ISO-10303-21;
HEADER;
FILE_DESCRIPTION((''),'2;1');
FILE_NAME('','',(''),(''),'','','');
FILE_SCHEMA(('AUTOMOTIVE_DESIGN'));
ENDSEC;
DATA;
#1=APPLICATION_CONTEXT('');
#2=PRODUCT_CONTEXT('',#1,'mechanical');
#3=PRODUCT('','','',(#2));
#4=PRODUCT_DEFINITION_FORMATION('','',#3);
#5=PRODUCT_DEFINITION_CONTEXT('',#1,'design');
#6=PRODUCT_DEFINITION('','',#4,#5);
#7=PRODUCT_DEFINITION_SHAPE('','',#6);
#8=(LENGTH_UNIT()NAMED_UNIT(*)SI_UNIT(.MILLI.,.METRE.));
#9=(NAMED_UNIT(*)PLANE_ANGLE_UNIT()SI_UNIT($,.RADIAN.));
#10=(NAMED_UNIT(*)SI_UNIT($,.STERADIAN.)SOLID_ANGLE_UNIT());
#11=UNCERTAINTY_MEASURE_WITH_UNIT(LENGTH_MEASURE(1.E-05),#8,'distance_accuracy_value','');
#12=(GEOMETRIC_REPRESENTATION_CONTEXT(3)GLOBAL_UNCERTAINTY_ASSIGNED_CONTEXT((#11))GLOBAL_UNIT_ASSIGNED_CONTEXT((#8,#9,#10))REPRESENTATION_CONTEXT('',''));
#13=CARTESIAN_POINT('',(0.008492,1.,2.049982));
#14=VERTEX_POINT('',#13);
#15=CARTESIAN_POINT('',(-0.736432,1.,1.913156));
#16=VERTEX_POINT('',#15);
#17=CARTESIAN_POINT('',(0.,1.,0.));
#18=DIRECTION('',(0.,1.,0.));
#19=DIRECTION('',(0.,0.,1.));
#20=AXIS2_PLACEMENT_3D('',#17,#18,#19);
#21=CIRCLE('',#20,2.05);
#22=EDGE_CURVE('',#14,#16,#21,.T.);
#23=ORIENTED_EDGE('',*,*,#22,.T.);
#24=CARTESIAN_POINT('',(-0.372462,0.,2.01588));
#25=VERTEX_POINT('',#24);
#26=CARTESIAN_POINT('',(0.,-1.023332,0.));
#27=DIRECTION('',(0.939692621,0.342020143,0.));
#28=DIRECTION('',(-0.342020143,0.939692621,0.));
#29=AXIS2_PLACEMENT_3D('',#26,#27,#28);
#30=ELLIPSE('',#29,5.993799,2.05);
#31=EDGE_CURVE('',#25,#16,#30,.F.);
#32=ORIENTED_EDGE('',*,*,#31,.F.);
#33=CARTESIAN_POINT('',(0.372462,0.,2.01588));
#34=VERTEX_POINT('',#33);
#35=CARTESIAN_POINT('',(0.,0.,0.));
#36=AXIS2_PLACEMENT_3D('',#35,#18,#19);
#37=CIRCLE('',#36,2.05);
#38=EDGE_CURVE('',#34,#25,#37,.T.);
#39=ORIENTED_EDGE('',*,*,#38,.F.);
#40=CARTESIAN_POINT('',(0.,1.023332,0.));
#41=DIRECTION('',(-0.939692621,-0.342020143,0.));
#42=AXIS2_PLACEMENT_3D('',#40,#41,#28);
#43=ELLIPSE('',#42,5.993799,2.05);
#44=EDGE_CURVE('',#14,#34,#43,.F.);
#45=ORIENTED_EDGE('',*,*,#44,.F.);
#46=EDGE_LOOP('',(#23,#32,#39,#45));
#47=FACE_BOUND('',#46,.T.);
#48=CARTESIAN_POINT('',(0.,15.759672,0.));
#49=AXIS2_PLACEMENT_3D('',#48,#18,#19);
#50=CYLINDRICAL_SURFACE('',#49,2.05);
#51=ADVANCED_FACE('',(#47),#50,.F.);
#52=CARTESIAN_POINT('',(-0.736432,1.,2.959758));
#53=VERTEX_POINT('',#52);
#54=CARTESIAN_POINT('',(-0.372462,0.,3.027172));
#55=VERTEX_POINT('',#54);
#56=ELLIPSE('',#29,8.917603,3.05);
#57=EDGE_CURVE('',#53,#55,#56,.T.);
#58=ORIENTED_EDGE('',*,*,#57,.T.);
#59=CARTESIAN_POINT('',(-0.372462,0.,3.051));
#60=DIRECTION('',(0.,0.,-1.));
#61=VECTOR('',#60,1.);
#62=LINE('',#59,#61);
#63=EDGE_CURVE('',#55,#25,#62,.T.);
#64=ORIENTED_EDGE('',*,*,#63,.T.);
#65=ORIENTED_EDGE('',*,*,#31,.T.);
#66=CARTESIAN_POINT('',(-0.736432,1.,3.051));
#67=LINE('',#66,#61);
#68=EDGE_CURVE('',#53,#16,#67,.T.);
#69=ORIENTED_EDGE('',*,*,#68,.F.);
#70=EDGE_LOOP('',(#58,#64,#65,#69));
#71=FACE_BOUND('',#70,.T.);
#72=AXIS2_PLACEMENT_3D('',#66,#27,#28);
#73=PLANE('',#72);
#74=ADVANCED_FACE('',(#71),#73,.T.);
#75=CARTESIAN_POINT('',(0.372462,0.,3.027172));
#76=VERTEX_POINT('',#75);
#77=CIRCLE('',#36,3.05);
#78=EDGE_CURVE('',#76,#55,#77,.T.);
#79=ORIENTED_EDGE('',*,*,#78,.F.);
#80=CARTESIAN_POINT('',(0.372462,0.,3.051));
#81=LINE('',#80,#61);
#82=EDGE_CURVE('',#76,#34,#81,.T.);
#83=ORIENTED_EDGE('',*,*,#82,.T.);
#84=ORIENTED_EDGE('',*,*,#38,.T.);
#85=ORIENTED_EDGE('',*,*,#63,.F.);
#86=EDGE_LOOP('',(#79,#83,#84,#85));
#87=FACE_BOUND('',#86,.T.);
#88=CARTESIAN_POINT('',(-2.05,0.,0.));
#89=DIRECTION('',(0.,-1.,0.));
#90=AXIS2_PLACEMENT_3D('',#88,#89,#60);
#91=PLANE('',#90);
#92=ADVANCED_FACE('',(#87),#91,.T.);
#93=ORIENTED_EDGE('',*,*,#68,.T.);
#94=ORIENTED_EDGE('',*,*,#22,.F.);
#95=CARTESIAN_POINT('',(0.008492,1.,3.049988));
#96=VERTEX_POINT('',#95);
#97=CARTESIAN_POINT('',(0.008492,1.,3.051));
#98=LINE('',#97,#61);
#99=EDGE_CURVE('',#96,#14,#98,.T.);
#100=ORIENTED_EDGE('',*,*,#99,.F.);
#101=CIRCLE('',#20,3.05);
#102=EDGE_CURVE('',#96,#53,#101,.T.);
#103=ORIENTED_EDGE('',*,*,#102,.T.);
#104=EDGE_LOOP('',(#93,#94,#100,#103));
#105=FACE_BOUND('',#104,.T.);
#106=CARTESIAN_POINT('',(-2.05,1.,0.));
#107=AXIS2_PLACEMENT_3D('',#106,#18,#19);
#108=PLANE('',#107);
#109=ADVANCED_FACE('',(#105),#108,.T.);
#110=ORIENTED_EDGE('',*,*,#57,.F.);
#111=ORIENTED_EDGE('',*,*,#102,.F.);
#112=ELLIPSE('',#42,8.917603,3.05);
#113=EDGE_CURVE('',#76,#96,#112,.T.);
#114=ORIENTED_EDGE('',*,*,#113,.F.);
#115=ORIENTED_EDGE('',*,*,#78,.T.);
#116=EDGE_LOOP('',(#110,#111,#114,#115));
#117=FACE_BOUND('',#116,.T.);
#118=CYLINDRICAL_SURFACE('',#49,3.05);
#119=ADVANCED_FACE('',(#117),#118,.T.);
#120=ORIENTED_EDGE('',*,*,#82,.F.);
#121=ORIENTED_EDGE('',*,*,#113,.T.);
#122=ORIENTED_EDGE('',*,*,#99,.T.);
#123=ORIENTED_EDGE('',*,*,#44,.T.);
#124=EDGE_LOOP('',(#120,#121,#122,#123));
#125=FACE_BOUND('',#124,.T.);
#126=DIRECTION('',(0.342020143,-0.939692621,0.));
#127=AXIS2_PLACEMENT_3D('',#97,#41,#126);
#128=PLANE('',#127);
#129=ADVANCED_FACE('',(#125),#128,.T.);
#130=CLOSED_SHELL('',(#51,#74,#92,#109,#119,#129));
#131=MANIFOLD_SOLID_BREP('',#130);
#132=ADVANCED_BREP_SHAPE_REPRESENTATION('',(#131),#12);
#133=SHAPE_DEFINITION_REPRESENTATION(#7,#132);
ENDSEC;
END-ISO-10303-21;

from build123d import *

# Parameters (mm, degrees)
SKE_W          = 1
SKE_H          = 1
CUT_REACH      = 6.428
CUT_END_RADIUS = 3.05


with BuildPart() as part:
    # Ske → Base (revolve)
    with BuildSketch(Plane.XY, mode=Mode.PRIVATE) as base_sk:
        with Locations((-2.55, 0.5)):
            Rectangle(SKE_W, SKE_H)
    revolve(base_sk.sketch.rotate(Axis((0, 15.759672306, 0), (0, -1, 0)), 270), axis=Axis((0, 15.759672306, 0), (0, -1, 0)))

    # Cut: up to this cylinder (the profile starts inside it)
    cut_end = Plane(origin=(0, 0.5, 0), z_dir=(0, 1, 0)) * Cylinder(CUT_END_RADIUS, 19.956, mode=Mode.PRIVATE)
    # Ske4 → Cut (cut, up to the surface)
    with BuildSketch(Plane.XY, mode=Mode.PRIVATE) as cut_sk1:
        Polygon((-0.37246222, 0), (0.37246222, 0), (0.008491986, 1), (-0.736432455, 1), align=None)
    cut_tool1 = extrude(cut_sk1.sketch, amount=CUT_REACH, mode=Mode.PRIVATE) & cut_end
    add(cut_tool1.solids().sort_by_distance((-0.181985, 0.5, 0))[0], mode=Mode.SUBTRACT)


solid = part.part
